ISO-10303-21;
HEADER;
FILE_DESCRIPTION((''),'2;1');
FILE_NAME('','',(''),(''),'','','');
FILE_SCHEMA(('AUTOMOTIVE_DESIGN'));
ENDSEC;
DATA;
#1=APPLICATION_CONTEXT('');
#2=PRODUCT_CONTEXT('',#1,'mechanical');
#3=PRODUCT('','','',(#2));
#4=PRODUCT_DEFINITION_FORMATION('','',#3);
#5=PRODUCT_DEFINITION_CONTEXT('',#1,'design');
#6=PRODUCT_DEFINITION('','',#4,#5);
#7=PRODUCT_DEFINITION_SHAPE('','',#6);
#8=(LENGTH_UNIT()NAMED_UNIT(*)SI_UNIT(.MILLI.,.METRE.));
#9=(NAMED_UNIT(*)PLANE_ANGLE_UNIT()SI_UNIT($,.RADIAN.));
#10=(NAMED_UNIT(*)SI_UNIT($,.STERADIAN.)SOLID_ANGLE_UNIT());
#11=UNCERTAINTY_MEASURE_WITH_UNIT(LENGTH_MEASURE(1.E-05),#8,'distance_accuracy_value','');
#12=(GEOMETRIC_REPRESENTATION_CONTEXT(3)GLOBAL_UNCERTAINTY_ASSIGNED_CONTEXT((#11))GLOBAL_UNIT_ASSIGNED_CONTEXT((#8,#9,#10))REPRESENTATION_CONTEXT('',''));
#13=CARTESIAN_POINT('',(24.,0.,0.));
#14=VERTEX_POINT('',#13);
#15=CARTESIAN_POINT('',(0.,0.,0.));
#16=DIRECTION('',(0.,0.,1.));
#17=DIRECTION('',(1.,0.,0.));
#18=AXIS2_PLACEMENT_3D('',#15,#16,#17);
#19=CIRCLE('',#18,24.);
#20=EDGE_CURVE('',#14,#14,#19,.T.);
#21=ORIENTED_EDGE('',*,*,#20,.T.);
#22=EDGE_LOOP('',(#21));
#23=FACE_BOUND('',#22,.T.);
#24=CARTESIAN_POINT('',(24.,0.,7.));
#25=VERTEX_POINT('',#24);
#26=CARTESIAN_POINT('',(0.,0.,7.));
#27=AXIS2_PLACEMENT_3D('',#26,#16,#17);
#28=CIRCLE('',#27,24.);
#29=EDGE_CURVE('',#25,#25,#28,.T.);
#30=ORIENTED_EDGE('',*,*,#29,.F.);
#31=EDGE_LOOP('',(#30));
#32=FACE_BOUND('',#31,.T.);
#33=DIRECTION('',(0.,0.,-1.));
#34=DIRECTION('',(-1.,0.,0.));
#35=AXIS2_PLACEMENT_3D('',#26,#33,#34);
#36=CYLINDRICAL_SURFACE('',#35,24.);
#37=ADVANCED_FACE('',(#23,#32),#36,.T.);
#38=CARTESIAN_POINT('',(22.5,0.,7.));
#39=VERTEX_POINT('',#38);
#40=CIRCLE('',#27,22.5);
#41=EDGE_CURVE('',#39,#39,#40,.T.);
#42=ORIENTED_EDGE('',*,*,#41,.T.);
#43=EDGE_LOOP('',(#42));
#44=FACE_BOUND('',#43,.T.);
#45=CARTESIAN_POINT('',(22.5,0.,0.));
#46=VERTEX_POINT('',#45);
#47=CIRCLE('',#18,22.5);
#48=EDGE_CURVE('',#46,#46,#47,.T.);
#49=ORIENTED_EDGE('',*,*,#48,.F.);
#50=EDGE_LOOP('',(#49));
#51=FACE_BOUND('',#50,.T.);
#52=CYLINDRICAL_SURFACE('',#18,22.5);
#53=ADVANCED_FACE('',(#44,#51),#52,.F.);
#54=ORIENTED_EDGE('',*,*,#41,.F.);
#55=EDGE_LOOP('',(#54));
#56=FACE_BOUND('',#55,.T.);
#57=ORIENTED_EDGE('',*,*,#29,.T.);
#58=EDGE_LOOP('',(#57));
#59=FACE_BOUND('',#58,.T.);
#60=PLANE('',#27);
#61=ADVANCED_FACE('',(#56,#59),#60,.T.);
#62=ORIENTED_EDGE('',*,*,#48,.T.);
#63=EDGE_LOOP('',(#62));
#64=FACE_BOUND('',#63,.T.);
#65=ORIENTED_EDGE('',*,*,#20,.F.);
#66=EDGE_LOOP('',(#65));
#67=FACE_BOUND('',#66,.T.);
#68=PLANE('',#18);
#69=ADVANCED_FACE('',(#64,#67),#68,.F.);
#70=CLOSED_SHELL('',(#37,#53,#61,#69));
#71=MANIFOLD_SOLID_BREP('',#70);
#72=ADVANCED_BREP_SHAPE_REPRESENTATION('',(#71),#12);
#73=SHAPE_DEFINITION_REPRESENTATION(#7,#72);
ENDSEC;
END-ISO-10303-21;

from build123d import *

# Parameters (mm, degrees)
SKETCH1_R           = 24
BOSS_EXTRUDE1_DEPTH = 7
SKETCH2_R           = 22.5
CUT_EXTRUDE1_DEPTH  = 7


with BuildPart() as part:
    # Sketch1 → Boss-Extrude1 (new body)
    with BuildSketch(Plane.XY):
        Circle(SKETCH1_R)
    extrude(amount=BOSS_EXTRUDE1_DEPTH)

    # Sketch2 → Cut-Extrude1 (cut)
    with BuildSketch(Plane.XY.offset(7)):
        Circle(SKETCH2_R)
    extrude(amount=-CUT_EXTRUDE1_DEPTH, mode=Mode.SUBTRACT)


solid = part.part
